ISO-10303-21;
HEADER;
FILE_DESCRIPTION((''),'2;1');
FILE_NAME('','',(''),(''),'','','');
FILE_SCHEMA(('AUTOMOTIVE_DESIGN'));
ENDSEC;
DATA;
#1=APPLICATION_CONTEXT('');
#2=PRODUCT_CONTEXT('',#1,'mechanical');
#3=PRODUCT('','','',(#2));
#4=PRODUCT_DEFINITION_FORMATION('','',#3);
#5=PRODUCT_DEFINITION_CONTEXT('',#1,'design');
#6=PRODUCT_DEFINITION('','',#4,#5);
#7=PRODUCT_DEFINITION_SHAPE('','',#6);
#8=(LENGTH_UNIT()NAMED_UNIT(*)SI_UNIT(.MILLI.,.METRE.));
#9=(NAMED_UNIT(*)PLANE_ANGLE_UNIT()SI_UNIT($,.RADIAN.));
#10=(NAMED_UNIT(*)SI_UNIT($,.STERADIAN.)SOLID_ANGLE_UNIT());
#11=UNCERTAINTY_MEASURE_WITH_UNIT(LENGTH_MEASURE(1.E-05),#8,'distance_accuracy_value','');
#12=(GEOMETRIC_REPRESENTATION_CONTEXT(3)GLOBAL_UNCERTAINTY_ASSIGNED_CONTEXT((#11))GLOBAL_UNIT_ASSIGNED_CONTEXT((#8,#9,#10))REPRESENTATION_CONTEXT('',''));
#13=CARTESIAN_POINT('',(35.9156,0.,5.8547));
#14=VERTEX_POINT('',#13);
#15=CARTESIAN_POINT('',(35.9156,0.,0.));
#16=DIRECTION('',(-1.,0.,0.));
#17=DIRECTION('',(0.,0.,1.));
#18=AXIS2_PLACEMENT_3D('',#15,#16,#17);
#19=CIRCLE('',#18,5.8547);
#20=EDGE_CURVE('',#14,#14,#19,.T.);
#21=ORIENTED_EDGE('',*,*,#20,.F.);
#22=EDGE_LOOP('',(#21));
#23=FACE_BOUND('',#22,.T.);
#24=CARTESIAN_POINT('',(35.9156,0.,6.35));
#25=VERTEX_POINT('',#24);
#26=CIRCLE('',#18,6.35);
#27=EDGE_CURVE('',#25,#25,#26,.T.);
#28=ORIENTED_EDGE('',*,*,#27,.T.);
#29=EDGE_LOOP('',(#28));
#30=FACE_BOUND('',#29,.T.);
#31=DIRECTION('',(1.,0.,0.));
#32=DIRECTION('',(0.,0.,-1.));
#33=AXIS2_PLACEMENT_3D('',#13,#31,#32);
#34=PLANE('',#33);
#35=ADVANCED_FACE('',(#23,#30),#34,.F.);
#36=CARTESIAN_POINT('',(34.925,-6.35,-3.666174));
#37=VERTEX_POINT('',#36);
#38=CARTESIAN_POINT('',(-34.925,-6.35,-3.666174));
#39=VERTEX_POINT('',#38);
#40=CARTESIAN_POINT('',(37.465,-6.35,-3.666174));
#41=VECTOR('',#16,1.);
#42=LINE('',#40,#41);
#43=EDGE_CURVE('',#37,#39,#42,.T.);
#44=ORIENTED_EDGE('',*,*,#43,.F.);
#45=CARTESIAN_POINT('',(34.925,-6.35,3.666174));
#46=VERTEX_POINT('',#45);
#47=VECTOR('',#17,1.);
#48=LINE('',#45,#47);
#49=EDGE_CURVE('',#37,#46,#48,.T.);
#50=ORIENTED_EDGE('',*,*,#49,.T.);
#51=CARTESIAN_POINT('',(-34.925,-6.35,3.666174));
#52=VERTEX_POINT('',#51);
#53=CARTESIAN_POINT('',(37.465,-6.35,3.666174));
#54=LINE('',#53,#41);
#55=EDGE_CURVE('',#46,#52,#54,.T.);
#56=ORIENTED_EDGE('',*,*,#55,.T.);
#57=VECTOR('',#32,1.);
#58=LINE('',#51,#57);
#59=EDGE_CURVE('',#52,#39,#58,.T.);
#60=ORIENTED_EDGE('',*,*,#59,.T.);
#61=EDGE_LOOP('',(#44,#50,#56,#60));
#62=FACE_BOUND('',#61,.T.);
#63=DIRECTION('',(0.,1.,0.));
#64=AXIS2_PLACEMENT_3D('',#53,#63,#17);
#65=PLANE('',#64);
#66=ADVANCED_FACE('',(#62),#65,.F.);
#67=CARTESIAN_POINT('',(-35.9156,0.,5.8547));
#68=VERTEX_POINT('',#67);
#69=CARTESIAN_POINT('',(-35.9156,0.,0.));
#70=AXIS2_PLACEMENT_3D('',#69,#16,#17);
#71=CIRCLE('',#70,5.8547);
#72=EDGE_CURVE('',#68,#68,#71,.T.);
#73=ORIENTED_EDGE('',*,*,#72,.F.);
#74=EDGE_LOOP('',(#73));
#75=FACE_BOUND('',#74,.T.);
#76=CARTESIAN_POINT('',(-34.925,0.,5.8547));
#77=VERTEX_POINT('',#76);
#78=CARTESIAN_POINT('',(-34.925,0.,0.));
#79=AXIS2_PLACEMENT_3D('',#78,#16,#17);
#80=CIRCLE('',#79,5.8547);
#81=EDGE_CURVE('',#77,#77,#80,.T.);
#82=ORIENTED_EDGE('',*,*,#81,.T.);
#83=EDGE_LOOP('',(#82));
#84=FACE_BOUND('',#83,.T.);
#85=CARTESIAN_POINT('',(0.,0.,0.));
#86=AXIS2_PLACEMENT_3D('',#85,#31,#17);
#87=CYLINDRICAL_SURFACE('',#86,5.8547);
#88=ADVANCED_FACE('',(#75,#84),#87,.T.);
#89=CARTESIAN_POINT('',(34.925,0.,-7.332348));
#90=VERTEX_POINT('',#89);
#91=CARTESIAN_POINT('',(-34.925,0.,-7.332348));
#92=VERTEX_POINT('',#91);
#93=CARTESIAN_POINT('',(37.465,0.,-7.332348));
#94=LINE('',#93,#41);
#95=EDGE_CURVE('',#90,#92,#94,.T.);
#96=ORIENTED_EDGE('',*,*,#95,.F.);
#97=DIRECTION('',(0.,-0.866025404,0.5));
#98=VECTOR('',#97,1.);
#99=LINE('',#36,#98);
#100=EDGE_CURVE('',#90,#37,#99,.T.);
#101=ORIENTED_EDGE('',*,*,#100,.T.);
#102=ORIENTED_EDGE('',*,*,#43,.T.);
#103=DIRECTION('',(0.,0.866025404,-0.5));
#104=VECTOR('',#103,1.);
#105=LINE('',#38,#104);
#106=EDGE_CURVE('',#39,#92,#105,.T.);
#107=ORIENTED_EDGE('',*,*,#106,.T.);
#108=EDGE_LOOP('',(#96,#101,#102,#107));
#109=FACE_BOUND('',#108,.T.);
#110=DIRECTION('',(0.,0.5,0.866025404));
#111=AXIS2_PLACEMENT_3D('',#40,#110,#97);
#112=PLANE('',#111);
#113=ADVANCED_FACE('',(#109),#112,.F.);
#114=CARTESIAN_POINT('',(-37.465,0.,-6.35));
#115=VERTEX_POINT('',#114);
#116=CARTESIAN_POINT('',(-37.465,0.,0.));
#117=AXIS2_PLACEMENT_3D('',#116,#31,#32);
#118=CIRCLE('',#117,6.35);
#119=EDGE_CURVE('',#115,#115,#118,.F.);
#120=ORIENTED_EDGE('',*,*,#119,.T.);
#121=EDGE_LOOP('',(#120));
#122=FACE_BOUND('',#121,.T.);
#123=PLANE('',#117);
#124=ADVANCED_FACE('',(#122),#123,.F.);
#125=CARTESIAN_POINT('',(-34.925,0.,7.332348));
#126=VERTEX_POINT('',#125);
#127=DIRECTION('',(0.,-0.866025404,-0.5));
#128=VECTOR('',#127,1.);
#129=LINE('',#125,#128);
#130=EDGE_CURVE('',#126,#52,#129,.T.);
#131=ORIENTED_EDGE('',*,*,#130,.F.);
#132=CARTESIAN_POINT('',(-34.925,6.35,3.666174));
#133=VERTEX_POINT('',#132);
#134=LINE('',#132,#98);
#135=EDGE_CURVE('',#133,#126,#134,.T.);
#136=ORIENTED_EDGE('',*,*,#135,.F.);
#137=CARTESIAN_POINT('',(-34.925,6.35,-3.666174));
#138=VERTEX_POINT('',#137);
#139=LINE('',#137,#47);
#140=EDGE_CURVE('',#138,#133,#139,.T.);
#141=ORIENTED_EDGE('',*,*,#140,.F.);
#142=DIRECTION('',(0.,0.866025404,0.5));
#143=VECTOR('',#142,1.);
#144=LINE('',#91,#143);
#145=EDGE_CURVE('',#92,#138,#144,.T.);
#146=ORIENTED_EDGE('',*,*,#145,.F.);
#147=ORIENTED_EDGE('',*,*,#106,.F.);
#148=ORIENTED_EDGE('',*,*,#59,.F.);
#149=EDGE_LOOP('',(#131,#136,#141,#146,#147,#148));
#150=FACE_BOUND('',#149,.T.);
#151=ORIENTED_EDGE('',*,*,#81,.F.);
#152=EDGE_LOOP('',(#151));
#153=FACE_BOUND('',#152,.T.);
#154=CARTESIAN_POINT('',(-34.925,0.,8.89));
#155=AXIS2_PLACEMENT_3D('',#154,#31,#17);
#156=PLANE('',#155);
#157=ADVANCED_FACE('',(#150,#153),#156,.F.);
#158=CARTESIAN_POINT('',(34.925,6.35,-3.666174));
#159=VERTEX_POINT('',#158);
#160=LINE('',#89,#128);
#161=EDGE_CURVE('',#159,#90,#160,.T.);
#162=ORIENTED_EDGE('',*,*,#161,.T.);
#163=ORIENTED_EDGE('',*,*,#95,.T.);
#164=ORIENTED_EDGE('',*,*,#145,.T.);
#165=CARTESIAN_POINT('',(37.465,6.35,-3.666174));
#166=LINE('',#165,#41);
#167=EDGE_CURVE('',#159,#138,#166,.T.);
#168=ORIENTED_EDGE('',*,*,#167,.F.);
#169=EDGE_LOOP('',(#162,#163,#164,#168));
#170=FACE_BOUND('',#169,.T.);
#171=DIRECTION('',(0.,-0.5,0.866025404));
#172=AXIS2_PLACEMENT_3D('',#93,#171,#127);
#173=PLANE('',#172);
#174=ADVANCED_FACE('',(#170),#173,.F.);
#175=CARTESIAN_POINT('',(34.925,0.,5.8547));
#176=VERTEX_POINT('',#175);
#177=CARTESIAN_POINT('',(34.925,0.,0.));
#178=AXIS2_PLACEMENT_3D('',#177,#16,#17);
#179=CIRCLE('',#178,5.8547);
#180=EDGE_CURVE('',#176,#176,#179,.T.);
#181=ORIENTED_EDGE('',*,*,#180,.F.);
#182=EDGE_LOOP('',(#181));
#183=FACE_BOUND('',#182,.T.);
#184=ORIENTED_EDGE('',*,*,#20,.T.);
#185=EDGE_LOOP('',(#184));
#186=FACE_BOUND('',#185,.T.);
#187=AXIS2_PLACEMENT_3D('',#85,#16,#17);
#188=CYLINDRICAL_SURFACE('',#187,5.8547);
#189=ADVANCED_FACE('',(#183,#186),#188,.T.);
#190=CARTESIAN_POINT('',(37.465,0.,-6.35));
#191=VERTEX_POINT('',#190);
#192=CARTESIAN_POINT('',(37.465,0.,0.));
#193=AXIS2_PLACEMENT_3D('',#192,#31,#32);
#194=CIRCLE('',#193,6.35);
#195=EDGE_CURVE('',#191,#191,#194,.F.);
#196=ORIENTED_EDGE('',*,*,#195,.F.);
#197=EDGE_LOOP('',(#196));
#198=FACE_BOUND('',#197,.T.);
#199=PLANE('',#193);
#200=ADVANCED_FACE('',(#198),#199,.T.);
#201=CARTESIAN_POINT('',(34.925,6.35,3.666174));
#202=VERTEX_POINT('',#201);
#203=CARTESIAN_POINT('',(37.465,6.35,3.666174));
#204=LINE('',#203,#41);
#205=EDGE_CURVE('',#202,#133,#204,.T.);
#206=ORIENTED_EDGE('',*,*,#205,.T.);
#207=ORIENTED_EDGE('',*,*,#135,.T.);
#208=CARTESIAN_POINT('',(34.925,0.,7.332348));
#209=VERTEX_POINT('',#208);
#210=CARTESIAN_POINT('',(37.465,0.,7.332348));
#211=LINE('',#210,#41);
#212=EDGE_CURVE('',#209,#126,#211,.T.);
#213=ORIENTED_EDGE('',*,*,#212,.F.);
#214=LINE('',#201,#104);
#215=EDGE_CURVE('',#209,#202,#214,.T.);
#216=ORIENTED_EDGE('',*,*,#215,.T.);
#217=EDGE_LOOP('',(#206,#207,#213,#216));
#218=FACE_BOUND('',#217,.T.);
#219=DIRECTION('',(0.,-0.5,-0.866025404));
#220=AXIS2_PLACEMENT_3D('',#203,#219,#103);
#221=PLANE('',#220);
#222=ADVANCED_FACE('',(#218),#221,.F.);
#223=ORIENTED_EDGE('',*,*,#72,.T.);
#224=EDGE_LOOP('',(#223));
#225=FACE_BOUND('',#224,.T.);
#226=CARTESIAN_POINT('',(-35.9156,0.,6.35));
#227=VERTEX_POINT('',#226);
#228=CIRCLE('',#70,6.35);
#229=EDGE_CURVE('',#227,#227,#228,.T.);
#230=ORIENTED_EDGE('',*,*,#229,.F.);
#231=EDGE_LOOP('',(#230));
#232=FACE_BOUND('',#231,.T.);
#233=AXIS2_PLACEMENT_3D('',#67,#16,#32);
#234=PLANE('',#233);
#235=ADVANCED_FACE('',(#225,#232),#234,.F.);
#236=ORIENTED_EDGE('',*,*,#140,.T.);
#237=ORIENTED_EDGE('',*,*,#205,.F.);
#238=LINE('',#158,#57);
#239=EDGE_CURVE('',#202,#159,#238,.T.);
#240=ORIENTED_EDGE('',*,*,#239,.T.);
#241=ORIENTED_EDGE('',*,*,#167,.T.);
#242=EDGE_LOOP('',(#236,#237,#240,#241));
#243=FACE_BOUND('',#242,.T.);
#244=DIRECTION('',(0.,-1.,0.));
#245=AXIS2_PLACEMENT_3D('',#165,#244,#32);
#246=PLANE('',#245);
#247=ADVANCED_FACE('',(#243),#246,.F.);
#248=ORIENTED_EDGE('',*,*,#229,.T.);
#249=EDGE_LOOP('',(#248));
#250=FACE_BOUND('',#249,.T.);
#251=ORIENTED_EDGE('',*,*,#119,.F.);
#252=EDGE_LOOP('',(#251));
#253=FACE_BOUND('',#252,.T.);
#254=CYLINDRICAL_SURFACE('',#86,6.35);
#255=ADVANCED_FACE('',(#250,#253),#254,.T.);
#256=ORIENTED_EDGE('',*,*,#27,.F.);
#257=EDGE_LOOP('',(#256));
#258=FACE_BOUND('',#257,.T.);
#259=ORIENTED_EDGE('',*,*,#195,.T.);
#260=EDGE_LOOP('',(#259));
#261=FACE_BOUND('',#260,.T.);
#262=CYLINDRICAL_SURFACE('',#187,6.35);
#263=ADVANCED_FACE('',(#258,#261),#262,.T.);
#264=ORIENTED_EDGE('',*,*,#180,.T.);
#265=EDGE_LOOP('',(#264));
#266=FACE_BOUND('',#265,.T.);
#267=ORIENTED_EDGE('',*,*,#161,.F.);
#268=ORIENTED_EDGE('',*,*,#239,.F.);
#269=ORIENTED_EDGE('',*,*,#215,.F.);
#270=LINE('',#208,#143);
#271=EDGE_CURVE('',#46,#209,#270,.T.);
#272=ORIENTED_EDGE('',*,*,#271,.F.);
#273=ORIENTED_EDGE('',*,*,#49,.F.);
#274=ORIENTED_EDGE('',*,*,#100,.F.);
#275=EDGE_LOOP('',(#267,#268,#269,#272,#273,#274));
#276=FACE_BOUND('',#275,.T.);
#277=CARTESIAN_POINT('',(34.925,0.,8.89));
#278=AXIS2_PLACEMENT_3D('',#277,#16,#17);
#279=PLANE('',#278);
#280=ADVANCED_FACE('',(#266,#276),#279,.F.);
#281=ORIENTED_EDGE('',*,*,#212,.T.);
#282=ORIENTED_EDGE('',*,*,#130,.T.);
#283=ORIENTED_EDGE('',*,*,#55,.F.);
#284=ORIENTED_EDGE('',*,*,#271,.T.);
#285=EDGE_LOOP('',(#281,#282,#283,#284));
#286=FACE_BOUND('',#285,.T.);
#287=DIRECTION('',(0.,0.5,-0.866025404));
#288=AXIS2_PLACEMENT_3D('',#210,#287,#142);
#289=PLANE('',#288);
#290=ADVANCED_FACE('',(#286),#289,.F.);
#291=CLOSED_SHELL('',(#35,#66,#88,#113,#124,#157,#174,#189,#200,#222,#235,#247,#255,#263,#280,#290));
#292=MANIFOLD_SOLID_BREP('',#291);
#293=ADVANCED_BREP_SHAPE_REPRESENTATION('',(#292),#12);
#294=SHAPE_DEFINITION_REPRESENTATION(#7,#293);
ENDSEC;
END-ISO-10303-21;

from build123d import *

# Parameters (mm, degrees)
BOSS_EXTRUDE1_DEPTH = 37.465


with BuildPart() as part:
    # Sketch1 → Boss-Extrude1 (new, symmetric)
    with BuildSketch(Plane(origin=(0, 0, 0), x_dir=(0, 0, -1), z_dir=(1, 0, 0))):
        Polygon((7.332348419, 0), (3.666174209, 6.35), (-3.666174209, 6.35), (-7.332348419, 0), (-3.666174209, -6.35), (3.666174209, -6.35), align=None)
    extrude(amount=BOSS_EXTRUDE1_DEPTH, both=True)

    # Sketch2 → Cut-Revolve1 (revolve, cut)
    with BuildSketch(Plane(origin=(0, 0, 0), x_dir=(1, 0, 0), z_dir=(0, 1, 0))):
        Polygon((34.925, -5.8547), (35.9156, -5.8547), (35.9156, -6.35), (37.465, -6.35), (37.465, -8.89), (34.925, -8.89), align=None)
    cut_revolve1 = revolve(axis=Axis((0, 0, 0), (1, 0, 0)), mode=Mode.SUBTRACT)

    # Mirror1: Cut-Revolve1 across plane
    add(cut_revolve1.mirror(Plane(origin=(0, 0, 0), x_dir=(0, 0, 1), z_dir=(1, 0, 0))), mode=Mode.SUBTRACT)


solid = part.part
